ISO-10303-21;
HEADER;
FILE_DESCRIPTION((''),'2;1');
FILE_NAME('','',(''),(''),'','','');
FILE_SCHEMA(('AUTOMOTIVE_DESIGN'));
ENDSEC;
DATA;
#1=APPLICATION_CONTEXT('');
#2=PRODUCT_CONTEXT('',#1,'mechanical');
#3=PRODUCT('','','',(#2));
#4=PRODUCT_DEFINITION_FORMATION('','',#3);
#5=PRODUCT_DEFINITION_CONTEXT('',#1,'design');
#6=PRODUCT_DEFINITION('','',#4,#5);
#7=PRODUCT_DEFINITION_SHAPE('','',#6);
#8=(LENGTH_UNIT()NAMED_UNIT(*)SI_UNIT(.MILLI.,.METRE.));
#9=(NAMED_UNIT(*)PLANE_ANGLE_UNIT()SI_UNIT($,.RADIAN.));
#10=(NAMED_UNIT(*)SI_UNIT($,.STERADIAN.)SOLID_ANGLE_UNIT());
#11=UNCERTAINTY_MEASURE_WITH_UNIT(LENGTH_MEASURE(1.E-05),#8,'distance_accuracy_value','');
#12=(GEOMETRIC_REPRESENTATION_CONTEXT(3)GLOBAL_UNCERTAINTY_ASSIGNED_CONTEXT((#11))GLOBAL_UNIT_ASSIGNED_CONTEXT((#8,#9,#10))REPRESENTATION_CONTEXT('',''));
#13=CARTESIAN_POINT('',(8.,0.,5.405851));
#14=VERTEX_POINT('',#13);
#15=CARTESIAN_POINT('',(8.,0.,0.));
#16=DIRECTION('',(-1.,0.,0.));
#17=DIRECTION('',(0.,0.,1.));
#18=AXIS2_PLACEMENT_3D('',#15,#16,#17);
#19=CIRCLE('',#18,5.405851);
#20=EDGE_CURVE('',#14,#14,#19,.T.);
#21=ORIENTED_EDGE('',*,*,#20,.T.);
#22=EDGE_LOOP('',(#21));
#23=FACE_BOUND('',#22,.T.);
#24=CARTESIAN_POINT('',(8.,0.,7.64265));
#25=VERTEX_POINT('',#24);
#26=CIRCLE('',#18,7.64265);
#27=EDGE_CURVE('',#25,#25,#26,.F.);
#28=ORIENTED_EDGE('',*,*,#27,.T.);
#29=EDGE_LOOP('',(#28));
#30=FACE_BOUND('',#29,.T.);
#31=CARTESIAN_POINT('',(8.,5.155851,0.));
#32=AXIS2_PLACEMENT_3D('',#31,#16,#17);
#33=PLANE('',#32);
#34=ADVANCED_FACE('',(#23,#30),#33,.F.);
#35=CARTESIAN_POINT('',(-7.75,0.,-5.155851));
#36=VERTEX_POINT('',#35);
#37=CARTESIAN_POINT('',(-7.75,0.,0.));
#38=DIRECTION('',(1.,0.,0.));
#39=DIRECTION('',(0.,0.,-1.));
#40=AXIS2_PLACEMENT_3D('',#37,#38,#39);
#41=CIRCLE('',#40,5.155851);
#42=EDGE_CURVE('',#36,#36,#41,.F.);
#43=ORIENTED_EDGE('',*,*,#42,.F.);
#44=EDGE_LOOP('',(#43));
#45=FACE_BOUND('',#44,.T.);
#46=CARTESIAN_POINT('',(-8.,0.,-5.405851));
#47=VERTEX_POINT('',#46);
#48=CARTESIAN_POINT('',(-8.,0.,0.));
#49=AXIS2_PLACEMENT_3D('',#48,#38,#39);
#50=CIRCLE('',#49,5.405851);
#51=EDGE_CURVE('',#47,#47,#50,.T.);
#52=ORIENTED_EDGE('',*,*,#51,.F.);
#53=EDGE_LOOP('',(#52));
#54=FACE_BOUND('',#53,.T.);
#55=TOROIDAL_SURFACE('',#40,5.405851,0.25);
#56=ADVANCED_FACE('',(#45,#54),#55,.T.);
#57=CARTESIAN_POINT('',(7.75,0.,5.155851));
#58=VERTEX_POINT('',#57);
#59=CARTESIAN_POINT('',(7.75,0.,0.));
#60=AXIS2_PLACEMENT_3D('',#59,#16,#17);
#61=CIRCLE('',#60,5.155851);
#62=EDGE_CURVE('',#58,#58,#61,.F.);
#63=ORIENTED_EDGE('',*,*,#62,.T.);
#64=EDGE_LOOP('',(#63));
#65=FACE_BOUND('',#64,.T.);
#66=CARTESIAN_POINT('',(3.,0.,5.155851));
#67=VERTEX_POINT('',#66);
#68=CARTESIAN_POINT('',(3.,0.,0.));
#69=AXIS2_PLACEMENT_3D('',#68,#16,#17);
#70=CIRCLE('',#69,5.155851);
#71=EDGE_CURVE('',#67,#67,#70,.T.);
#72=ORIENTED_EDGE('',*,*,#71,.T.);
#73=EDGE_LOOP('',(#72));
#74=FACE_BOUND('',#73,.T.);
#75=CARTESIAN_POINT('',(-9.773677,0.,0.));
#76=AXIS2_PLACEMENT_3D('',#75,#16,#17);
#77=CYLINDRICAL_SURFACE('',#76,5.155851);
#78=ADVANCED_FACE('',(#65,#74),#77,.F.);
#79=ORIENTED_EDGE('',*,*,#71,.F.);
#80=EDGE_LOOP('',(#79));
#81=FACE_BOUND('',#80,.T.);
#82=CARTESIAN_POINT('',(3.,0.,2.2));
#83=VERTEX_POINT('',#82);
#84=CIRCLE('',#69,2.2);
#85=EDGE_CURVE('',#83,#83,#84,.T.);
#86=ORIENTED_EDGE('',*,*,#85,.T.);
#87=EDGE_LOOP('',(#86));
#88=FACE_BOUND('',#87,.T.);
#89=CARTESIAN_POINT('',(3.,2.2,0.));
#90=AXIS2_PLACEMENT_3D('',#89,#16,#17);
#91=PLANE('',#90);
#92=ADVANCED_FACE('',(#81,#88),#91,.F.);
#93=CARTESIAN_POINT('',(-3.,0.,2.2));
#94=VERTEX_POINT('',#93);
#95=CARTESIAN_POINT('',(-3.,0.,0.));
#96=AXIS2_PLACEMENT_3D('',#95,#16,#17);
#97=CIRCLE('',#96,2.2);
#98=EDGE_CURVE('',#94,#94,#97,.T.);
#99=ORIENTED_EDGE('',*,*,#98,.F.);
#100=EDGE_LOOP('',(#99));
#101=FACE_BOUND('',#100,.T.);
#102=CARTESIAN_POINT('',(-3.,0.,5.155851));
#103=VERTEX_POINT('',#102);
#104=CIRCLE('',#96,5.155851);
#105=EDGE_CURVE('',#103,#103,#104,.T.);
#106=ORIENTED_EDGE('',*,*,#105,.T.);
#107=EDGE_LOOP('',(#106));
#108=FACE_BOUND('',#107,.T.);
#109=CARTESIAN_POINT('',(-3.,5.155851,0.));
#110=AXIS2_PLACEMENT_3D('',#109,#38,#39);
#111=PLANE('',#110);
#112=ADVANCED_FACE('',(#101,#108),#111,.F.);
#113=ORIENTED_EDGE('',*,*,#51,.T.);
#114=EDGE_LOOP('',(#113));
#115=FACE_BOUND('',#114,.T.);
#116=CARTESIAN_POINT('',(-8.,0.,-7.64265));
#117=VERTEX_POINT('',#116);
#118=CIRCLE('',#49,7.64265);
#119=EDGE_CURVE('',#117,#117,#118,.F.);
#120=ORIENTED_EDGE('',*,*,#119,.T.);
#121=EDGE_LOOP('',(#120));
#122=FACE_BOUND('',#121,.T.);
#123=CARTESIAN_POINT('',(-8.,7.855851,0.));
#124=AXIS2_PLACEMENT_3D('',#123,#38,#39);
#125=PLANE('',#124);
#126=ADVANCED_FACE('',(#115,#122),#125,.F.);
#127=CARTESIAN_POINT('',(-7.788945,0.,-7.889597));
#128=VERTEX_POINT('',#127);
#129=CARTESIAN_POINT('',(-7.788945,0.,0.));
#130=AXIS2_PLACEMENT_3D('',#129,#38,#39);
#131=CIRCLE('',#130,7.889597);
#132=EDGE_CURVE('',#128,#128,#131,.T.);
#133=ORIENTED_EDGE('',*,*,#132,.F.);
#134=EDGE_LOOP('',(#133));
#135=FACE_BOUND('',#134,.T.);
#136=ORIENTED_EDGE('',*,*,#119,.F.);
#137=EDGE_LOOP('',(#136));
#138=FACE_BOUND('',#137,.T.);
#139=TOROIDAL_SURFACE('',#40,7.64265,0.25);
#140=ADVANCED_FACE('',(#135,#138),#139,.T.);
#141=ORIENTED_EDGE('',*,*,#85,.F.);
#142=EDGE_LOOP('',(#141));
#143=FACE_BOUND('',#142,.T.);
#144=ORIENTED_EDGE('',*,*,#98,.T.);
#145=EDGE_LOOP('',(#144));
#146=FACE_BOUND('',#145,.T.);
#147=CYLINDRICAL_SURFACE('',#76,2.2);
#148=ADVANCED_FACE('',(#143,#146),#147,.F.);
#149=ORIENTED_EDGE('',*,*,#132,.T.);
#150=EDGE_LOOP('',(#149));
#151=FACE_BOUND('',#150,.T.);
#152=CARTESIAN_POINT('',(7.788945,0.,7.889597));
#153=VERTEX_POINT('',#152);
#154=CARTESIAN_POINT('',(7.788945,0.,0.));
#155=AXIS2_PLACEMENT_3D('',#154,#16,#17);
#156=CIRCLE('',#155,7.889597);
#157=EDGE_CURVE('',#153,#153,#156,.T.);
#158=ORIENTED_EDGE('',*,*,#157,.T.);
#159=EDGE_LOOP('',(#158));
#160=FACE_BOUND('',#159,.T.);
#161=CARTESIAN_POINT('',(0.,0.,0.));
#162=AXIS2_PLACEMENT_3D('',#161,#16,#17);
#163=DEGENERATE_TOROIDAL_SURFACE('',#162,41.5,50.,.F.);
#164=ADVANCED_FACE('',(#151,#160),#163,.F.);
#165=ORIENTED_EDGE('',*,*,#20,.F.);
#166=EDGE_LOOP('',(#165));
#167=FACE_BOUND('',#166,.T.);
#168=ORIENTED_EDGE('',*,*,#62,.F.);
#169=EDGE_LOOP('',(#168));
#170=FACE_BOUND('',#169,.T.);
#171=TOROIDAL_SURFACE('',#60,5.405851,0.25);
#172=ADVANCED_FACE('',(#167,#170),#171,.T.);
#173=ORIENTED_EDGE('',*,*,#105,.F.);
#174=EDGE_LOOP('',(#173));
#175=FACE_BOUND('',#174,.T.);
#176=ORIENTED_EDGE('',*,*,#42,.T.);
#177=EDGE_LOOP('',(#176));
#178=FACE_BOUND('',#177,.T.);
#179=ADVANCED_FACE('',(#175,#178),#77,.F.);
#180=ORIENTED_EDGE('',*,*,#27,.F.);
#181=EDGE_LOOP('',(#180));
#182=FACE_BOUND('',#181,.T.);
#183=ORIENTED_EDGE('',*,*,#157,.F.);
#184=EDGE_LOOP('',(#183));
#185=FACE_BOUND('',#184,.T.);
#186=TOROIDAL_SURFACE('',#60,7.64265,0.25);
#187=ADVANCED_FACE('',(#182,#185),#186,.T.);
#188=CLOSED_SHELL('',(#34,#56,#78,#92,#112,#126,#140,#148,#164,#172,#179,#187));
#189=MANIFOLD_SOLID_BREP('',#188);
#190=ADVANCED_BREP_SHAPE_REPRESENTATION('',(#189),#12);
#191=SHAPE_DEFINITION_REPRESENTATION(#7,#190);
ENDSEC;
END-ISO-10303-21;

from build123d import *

# Parameters (mm, degrees)
FILLET1_R = 0.25


with BuildPart() as part:
    # Sketch1 → Revolve1 (revolve)
    with BuildSketch(Plane.XY):
        with BuildLine():
            Line((-8, 7.855850717), (-8, 5.155850717))
            Line((-8, 5.155850717), (-3, 5.155850717))
            Line((-3, 5.155850717), (-3, 2.2))
            Line((-3, 2.2), (3, 2.2))
            Line((3, 2.2), (3, 5.155850717))
            Line((3, 5.155850717), (8, 5.155850717))
            Line((8, 5.155850717), (8, 7.855850717))
            ThreePointArc((8, 7.855850717), (0, 8.5), (-8, 7.855850717))
        make_face()
    revolve(axis=Axis((-9.77367688, 0, 0), (1, 0, 0)))

    # Fillet1
    fillet1_edges = [part.edges().sort_by_distance(p)[0] for p in [
        (8, -7.855850717, 0),
        (-8, -7.855850717, 0),
        (-8, -5.155850717, 0),
        (8, -5.155850717, 0),
    ]]
    fillet(fillet1_edges, radius=FILLET1_R)


solid = part.part
